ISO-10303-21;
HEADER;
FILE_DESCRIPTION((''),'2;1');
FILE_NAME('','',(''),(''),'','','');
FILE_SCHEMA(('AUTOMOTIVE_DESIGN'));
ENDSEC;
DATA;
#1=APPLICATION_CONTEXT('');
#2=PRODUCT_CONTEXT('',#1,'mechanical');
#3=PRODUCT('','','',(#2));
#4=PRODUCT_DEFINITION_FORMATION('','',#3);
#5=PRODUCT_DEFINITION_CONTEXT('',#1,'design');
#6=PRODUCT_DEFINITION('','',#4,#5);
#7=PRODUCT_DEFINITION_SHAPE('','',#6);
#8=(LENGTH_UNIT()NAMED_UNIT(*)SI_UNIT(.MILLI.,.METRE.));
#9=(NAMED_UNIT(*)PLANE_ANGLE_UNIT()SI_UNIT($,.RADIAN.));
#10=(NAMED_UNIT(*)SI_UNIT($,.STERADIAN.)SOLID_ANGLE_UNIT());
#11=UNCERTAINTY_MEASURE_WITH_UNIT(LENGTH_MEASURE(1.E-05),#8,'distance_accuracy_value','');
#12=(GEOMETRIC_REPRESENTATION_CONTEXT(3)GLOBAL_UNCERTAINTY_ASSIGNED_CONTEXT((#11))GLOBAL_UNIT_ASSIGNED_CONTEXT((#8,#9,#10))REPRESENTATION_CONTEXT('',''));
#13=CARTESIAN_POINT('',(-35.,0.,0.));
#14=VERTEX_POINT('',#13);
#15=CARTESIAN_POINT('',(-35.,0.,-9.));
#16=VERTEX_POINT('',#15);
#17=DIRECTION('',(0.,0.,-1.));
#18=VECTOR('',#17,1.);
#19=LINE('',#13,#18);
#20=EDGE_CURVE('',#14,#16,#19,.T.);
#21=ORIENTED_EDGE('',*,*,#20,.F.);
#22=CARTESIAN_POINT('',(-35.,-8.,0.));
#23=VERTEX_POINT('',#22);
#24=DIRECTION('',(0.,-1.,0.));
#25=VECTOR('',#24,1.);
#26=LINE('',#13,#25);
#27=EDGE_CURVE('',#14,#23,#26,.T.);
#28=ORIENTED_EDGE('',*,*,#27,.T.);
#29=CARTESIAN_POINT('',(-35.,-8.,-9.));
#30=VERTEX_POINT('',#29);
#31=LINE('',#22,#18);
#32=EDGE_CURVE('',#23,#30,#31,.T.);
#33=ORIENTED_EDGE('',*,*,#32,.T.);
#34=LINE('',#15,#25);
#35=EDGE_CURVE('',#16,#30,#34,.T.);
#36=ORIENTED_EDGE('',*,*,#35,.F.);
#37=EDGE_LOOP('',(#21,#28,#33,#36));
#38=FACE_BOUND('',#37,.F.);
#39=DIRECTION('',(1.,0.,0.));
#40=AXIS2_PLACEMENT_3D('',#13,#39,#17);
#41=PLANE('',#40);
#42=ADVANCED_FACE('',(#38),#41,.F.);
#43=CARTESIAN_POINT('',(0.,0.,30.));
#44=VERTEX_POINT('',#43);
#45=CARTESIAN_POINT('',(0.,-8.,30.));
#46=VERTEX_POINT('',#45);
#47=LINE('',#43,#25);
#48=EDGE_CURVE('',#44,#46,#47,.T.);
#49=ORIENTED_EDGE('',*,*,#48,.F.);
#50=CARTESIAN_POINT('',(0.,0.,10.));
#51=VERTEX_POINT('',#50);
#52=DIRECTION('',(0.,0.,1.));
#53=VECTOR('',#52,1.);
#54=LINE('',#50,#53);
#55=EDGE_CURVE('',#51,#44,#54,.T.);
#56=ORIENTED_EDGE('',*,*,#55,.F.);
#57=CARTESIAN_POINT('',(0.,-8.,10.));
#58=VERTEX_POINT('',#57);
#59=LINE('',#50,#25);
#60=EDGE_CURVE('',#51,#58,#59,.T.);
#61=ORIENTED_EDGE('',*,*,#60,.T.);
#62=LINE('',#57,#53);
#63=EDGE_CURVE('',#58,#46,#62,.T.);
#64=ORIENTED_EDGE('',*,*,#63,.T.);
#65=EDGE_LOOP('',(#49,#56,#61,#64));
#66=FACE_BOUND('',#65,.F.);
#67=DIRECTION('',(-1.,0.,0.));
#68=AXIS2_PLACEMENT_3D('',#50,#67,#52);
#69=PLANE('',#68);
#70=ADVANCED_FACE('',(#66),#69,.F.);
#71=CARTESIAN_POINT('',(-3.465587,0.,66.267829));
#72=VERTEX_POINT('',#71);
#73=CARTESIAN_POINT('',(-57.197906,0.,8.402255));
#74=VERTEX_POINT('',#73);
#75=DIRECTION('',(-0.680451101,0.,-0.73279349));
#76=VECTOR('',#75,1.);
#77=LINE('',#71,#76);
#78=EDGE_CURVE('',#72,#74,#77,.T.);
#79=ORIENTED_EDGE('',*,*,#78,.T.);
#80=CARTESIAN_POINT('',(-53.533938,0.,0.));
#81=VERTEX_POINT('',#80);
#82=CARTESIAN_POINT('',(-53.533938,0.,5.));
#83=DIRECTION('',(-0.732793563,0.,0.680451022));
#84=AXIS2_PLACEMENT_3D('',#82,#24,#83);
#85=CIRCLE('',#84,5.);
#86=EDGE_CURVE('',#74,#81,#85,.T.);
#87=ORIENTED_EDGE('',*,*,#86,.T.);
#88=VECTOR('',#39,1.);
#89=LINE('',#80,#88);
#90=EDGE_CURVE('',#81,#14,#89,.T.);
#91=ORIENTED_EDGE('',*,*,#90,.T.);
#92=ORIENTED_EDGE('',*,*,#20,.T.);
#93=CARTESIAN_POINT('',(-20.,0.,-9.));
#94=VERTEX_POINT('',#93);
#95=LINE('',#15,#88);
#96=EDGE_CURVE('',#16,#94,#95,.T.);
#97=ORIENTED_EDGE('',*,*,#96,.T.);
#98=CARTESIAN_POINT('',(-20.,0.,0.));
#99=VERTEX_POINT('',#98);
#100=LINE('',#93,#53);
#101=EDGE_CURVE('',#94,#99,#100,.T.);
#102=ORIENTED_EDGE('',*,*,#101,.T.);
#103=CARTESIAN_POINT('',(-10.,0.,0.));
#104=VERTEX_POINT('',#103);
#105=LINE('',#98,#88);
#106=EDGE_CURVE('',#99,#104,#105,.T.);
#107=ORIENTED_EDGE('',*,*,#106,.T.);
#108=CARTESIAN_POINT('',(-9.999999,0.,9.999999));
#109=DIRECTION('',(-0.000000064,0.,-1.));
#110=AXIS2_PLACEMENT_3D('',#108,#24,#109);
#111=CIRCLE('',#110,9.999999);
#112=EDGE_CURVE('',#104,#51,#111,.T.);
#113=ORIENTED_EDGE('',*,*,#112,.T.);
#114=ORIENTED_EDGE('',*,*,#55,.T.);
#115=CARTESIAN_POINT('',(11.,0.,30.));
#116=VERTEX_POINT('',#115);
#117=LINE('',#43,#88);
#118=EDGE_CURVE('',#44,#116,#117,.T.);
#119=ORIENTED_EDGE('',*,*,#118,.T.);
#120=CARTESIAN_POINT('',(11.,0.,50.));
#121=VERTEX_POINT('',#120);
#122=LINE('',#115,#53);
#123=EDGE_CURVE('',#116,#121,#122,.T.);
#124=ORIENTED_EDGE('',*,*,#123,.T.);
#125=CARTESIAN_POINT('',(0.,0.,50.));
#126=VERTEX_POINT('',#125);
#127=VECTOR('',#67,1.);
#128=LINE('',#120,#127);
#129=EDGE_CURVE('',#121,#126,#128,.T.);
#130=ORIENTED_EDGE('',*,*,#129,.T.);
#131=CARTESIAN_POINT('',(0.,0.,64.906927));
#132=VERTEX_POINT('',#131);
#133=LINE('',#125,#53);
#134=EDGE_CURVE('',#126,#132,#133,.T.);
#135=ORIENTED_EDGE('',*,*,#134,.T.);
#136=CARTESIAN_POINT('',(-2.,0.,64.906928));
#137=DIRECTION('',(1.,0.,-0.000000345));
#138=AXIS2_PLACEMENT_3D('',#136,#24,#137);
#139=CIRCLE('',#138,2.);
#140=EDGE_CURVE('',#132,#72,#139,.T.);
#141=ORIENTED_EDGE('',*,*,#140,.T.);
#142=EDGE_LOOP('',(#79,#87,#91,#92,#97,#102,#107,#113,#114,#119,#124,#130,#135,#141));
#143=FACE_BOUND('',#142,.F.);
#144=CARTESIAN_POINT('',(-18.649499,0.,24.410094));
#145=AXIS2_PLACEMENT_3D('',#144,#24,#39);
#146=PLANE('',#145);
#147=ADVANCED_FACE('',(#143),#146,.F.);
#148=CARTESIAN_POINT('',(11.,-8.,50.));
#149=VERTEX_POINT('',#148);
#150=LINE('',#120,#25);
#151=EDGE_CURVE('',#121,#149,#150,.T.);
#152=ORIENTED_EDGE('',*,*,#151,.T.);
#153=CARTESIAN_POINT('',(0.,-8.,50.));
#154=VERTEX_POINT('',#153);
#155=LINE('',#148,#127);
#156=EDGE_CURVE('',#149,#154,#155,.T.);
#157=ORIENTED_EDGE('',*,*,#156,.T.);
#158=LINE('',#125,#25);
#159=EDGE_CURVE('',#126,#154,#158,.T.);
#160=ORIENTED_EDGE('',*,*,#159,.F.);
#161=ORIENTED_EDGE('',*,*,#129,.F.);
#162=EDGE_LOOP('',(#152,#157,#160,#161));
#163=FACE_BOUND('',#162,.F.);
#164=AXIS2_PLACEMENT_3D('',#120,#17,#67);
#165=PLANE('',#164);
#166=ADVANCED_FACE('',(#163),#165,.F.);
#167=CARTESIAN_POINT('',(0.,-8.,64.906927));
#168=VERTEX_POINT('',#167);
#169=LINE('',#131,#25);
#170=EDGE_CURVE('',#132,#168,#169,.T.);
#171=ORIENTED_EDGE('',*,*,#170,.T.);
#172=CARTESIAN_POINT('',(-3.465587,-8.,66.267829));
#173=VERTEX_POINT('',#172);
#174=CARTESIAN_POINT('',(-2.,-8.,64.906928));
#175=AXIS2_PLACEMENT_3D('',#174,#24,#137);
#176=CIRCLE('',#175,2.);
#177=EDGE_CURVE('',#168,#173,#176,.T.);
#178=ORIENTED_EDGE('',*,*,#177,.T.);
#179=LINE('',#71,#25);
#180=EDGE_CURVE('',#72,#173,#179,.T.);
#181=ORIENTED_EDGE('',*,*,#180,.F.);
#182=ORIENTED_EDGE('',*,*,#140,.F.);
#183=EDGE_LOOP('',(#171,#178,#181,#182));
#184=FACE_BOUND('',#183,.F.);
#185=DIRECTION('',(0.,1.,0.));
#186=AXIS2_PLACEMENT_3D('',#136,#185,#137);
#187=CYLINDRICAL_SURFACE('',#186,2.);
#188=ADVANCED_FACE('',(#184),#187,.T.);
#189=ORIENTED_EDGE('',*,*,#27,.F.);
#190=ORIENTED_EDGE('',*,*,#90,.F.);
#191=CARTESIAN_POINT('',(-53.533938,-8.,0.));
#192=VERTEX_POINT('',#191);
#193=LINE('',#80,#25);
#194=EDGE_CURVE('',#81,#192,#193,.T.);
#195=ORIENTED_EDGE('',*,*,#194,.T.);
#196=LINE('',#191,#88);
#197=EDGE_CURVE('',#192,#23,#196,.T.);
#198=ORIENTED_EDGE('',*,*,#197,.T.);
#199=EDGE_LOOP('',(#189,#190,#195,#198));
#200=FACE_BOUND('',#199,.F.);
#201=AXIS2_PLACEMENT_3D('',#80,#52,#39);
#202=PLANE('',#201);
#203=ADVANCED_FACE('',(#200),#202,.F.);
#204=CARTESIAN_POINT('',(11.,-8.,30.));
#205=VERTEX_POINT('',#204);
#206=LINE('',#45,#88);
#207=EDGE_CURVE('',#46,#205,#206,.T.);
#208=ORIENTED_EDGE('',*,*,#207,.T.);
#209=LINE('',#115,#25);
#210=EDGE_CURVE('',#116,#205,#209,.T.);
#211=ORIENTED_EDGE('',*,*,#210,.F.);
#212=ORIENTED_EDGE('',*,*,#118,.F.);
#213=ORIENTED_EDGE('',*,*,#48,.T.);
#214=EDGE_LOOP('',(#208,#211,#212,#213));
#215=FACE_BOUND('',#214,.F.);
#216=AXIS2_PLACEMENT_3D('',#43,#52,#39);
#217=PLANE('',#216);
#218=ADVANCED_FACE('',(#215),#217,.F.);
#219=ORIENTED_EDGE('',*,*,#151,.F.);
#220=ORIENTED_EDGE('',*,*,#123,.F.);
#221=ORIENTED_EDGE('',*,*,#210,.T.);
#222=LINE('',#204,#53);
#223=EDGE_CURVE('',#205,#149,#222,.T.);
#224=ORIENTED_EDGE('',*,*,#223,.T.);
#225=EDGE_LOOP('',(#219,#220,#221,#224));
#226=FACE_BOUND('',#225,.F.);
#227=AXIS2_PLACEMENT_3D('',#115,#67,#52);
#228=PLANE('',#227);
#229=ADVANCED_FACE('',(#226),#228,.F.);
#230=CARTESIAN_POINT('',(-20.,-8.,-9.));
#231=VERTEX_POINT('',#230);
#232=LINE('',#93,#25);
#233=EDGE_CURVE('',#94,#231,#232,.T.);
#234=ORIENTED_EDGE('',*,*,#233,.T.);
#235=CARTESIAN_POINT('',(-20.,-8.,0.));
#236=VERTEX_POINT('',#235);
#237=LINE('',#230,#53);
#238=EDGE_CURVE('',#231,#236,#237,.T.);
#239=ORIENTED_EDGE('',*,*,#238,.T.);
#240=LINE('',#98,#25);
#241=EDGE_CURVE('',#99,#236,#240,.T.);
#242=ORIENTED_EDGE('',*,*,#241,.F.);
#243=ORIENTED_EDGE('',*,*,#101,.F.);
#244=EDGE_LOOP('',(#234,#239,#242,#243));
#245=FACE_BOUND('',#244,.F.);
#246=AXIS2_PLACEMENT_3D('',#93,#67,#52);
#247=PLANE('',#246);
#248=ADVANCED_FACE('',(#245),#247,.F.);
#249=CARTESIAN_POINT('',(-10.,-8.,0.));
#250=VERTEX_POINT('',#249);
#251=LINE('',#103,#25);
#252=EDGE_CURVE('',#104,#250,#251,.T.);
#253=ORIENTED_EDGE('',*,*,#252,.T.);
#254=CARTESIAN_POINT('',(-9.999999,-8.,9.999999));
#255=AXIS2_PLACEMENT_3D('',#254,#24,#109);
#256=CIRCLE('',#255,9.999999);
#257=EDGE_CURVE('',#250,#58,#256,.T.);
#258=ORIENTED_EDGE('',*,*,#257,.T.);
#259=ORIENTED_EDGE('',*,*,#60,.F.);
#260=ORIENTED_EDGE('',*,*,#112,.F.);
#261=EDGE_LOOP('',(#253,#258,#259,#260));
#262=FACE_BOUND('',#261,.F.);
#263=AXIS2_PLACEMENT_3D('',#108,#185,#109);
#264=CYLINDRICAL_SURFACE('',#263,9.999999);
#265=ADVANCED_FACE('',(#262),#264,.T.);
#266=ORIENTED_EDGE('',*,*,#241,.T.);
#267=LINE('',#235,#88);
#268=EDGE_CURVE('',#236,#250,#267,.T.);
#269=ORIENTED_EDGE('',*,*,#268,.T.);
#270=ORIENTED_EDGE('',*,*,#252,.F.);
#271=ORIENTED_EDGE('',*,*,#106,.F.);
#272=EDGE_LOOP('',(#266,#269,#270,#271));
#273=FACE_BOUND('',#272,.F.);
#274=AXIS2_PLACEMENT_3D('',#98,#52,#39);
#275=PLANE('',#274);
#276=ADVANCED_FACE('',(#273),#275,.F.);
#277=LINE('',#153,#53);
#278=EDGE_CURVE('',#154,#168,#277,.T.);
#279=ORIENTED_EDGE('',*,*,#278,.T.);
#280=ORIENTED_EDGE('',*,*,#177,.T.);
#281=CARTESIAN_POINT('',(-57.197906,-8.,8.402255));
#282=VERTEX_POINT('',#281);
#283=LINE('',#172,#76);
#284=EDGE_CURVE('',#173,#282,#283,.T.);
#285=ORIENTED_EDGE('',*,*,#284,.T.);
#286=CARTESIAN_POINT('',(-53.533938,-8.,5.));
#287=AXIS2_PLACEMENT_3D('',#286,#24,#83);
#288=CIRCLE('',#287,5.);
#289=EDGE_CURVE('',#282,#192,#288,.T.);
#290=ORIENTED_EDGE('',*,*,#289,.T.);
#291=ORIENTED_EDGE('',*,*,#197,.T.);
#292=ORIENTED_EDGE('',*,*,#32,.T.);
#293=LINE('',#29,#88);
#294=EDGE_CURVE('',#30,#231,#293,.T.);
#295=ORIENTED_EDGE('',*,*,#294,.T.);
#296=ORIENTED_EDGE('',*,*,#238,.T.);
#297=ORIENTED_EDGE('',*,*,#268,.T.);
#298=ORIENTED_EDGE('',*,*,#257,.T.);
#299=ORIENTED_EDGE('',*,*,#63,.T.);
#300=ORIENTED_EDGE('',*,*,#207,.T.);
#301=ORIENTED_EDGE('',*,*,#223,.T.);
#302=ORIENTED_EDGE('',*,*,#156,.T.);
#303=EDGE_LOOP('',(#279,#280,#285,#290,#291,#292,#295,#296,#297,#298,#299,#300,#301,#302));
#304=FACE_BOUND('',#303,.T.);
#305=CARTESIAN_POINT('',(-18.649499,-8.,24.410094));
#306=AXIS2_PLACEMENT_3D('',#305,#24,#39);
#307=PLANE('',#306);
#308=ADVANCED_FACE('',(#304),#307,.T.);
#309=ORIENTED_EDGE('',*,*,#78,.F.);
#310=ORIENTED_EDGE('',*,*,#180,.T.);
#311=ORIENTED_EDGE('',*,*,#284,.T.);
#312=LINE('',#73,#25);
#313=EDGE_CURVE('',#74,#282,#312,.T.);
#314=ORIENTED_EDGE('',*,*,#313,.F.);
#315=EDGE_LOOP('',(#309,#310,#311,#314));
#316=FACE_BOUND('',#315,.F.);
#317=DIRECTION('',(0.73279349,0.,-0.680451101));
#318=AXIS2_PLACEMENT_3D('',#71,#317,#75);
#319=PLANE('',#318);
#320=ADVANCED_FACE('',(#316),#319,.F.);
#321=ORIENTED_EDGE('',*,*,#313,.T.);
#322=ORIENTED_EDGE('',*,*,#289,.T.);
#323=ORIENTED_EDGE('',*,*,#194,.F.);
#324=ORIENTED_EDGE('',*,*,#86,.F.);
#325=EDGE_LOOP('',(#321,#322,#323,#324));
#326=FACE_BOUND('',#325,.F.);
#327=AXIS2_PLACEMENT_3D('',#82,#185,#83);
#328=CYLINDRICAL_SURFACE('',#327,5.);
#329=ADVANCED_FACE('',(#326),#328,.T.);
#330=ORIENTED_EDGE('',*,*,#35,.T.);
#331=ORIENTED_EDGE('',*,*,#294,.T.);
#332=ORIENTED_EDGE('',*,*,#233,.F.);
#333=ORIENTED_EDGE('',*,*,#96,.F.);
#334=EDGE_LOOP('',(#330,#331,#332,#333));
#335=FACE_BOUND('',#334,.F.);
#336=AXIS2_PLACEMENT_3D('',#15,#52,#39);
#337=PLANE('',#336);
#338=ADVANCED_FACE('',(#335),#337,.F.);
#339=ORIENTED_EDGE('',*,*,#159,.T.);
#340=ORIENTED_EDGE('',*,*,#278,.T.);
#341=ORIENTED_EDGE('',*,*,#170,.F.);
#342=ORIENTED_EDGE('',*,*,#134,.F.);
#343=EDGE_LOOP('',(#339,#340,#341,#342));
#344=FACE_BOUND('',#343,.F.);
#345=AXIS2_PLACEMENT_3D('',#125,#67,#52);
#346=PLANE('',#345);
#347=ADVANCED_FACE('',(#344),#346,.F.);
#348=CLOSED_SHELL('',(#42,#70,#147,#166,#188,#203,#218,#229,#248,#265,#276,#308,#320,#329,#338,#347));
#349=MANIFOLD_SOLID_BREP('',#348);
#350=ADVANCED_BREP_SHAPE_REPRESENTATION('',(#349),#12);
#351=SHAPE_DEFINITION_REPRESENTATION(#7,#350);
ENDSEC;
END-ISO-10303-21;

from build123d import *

# Parameters (mm, degrees)
F1_DEPTH = 8


with BuildPart() as f1:
    # F0 (on Front) → F1 (new body)
    with BuildSketch(Plane.XZ):
        with BuildLine():
            ThreePointArc((-57.197906, 8.402255), (-58.117129, 3.00141), (-53.533938, 0))
            Line((-53.533938, 0), (-35, 0))
            Line((-35, 0), (-35, -9))
            Line((-35, -9), (-20, -9))
            Line((-20, -9), (-20, 0))
            Line((-20, 0), (-10, 0))
            ThreePointArc((-10, 0), (-2.928932, 2.928932), (0, 10))
            Line((0, 10), (0, 30))
            Line((0, 30), (11, 30))
            Line((11, 30), (11, 50))
            Line((11, 50), (0, 50))
            Line((0, 50), (0, 64.906927))
            ThreePointArc((0, 64.906927), (-1.268964, 66.768536), (-3.465587, 66.267829))
            Line((-3.465587, 66.267829), (-57.197906, 8.402255))
        make_face()
    extrude(amount=F1_DEPTH)


solid = f1.part
